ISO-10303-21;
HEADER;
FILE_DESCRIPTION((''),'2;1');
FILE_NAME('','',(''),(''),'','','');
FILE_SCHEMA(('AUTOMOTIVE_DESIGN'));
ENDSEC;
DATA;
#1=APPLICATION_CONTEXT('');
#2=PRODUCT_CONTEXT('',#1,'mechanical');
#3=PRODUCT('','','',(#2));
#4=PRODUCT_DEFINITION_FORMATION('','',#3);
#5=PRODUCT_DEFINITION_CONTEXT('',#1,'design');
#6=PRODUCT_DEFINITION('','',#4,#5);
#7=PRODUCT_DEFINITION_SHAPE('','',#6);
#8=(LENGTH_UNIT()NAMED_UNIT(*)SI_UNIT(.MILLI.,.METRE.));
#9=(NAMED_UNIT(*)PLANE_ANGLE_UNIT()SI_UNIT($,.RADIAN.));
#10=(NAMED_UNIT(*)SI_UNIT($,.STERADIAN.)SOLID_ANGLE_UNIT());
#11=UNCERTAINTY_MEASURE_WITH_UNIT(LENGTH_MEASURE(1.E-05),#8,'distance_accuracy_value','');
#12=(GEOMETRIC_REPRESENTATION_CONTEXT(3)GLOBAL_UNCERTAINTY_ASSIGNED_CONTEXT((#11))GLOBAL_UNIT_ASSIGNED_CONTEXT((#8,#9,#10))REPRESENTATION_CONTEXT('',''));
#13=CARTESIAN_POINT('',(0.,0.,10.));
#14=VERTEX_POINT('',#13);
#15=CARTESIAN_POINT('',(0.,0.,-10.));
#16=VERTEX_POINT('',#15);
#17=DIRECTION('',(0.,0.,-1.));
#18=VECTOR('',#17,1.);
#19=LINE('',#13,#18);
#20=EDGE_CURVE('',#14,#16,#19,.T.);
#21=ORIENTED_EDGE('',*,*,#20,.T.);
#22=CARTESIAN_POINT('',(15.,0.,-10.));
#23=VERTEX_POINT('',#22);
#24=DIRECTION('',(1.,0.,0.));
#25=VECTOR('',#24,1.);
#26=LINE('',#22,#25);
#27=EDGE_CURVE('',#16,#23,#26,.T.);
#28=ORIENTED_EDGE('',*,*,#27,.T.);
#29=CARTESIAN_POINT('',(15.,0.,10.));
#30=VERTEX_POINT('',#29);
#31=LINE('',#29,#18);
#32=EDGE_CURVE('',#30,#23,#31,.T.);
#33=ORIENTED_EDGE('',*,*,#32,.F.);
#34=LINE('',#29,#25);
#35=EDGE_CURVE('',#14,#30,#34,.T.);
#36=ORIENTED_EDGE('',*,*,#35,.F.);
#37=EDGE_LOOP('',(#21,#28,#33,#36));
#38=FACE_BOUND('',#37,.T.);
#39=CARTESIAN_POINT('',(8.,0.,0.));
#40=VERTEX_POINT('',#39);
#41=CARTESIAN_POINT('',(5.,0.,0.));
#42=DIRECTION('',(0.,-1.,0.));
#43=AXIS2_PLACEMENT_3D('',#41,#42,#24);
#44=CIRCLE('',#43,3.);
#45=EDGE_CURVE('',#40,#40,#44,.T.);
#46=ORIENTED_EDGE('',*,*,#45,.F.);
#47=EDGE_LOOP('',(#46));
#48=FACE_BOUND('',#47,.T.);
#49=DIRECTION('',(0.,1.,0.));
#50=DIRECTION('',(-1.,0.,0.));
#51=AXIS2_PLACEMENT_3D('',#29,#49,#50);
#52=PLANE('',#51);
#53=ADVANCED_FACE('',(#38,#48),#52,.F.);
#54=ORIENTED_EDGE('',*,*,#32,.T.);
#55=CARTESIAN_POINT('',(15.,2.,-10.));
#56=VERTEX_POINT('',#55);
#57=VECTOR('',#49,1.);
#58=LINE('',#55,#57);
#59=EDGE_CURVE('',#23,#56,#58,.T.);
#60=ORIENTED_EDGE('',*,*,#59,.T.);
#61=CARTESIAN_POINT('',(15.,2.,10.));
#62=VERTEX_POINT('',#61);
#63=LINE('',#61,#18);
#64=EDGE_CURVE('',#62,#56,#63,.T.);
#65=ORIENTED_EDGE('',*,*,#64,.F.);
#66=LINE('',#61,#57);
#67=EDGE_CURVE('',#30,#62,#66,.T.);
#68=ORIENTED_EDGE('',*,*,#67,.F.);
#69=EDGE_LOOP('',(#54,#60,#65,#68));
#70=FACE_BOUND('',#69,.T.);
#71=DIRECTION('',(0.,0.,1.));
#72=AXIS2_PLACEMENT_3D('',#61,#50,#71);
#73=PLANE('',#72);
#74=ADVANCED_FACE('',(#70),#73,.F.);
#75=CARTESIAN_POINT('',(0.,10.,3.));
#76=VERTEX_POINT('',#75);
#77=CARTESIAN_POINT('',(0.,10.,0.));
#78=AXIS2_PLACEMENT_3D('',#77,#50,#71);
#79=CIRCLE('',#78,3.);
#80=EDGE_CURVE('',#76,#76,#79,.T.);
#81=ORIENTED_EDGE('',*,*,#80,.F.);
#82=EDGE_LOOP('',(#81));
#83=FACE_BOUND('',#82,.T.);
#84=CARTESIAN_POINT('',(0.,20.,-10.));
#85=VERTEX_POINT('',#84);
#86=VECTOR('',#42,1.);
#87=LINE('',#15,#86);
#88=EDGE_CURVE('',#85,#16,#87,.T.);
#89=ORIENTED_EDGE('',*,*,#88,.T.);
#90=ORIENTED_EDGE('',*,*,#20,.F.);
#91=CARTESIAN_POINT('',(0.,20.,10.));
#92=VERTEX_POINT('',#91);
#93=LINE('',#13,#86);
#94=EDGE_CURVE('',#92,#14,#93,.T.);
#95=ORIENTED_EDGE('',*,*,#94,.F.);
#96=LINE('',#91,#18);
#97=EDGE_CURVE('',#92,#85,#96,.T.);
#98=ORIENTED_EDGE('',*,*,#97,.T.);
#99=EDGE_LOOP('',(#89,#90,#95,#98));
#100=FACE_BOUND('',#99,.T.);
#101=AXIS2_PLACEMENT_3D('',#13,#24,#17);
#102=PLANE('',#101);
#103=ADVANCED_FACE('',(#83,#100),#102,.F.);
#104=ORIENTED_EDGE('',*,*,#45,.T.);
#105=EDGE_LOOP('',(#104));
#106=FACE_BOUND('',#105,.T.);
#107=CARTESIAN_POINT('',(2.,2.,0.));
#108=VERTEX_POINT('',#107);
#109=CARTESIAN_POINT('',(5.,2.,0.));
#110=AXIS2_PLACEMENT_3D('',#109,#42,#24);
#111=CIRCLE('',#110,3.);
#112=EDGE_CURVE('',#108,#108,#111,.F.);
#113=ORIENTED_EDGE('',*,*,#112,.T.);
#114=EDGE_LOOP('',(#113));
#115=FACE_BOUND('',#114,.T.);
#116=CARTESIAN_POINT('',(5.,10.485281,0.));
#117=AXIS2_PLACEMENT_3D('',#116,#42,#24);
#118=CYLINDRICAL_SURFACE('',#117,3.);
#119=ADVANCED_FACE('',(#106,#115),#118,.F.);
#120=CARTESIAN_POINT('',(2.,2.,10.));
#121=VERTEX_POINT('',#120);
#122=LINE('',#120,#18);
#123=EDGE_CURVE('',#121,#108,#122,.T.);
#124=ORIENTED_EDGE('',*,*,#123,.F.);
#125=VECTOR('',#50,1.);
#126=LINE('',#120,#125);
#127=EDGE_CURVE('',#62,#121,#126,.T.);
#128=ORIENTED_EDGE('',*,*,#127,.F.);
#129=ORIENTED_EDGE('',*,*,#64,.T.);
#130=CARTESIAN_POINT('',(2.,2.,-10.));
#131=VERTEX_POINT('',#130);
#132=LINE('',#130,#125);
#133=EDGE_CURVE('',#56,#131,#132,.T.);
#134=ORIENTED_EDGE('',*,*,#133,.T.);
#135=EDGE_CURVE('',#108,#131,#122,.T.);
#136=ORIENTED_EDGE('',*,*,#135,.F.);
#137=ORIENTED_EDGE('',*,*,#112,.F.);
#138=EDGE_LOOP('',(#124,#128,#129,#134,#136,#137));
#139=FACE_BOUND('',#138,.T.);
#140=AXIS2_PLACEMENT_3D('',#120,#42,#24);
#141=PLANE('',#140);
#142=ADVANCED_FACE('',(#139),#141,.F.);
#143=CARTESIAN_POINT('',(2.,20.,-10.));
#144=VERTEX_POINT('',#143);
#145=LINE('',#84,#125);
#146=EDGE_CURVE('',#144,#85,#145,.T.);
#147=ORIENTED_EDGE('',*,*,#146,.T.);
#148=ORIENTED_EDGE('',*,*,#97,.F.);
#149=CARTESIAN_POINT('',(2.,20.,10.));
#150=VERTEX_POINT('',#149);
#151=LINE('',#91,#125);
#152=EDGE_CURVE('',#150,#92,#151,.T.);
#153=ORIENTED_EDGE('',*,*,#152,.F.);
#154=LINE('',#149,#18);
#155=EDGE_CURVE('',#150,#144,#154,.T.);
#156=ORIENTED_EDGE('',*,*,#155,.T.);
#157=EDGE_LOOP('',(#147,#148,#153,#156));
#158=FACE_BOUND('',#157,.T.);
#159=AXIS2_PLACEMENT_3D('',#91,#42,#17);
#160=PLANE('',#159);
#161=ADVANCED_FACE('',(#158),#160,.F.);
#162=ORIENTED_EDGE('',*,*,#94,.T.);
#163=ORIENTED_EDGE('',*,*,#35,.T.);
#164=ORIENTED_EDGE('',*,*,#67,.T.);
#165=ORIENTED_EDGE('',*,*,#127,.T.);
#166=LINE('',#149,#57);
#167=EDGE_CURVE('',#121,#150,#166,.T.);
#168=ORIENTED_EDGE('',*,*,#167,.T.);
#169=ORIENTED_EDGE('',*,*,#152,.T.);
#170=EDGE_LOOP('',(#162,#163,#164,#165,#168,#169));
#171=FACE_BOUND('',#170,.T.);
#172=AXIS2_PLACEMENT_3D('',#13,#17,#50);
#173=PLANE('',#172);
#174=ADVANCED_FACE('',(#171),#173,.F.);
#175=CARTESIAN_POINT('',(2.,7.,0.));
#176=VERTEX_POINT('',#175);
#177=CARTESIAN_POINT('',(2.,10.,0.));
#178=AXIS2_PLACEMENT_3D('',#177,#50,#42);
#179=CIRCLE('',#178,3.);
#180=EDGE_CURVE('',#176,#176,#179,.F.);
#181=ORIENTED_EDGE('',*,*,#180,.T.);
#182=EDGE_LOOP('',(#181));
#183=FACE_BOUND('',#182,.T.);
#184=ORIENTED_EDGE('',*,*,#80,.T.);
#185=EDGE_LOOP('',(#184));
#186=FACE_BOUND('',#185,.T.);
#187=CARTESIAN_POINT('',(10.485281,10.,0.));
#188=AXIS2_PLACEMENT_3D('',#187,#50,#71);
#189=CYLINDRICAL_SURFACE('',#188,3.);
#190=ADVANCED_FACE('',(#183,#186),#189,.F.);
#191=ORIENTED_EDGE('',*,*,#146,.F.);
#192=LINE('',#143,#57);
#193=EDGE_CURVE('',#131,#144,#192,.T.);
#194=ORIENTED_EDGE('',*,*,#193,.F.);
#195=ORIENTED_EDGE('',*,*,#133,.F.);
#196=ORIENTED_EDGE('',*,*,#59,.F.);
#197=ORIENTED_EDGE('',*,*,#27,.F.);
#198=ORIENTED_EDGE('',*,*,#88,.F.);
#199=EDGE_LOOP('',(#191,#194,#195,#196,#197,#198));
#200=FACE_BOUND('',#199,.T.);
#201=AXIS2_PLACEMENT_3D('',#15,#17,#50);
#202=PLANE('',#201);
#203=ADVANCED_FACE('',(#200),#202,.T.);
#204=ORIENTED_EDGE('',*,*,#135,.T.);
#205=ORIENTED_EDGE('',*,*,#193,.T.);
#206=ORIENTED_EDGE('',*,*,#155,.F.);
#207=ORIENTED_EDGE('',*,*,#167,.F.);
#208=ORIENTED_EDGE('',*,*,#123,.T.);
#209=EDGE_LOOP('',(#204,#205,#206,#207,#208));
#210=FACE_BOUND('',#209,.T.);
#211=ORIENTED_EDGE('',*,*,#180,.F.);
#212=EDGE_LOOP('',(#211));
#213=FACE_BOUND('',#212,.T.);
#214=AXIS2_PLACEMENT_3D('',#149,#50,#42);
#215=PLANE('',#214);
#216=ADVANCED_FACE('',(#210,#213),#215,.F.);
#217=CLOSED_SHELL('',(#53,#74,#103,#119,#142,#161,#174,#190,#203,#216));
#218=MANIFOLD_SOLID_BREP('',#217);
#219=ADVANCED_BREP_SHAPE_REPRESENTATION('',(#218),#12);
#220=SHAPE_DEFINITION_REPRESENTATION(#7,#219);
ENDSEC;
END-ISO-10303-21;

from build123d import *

# Parameters (mm, degrees)
EXTRUDE_1_DEPTH     = 10
SKETCH_2_R          = 3
CUT_EXTRUDE_1_DEPTH = 2
SKETCH_3_R          = 3
CUT_EXTRUDE_2_DEPTH = 2


with BuildPart() as part:
    # 草图1 → 凸台-拉伸1 (new, symmetric)
    with BuildSketch(Plane.XY):
        Polygon((0, 0), (0, 20), (2, 20), (2, 2), (15, 2), (15, 0), align=None)
    extrude(amount=EXTRUDE_1_DEPTH, both=True)

    # 草图2 → 切除-拉伸1 (cut)
    with BuildSketch(Plane.ZY):
        with Locations((0, 10)):
            Circle(SKETCH_2_R)
    extrude(amount=-CUT_EXTRUDE_1_DEPTH, mode=Mode.SUBTRACT)

    # 草图3 → 切除-拉伸2 (cut)
    with BuildSketch(Plane.XZ):
        with Locations((5, 0)):
            Circle(SKETCH_3_R)
    extrude(amount=-CUT_EXTRUDE_2_DEPTH, mode=Mode.SUBTRACT)


solid = part.part
